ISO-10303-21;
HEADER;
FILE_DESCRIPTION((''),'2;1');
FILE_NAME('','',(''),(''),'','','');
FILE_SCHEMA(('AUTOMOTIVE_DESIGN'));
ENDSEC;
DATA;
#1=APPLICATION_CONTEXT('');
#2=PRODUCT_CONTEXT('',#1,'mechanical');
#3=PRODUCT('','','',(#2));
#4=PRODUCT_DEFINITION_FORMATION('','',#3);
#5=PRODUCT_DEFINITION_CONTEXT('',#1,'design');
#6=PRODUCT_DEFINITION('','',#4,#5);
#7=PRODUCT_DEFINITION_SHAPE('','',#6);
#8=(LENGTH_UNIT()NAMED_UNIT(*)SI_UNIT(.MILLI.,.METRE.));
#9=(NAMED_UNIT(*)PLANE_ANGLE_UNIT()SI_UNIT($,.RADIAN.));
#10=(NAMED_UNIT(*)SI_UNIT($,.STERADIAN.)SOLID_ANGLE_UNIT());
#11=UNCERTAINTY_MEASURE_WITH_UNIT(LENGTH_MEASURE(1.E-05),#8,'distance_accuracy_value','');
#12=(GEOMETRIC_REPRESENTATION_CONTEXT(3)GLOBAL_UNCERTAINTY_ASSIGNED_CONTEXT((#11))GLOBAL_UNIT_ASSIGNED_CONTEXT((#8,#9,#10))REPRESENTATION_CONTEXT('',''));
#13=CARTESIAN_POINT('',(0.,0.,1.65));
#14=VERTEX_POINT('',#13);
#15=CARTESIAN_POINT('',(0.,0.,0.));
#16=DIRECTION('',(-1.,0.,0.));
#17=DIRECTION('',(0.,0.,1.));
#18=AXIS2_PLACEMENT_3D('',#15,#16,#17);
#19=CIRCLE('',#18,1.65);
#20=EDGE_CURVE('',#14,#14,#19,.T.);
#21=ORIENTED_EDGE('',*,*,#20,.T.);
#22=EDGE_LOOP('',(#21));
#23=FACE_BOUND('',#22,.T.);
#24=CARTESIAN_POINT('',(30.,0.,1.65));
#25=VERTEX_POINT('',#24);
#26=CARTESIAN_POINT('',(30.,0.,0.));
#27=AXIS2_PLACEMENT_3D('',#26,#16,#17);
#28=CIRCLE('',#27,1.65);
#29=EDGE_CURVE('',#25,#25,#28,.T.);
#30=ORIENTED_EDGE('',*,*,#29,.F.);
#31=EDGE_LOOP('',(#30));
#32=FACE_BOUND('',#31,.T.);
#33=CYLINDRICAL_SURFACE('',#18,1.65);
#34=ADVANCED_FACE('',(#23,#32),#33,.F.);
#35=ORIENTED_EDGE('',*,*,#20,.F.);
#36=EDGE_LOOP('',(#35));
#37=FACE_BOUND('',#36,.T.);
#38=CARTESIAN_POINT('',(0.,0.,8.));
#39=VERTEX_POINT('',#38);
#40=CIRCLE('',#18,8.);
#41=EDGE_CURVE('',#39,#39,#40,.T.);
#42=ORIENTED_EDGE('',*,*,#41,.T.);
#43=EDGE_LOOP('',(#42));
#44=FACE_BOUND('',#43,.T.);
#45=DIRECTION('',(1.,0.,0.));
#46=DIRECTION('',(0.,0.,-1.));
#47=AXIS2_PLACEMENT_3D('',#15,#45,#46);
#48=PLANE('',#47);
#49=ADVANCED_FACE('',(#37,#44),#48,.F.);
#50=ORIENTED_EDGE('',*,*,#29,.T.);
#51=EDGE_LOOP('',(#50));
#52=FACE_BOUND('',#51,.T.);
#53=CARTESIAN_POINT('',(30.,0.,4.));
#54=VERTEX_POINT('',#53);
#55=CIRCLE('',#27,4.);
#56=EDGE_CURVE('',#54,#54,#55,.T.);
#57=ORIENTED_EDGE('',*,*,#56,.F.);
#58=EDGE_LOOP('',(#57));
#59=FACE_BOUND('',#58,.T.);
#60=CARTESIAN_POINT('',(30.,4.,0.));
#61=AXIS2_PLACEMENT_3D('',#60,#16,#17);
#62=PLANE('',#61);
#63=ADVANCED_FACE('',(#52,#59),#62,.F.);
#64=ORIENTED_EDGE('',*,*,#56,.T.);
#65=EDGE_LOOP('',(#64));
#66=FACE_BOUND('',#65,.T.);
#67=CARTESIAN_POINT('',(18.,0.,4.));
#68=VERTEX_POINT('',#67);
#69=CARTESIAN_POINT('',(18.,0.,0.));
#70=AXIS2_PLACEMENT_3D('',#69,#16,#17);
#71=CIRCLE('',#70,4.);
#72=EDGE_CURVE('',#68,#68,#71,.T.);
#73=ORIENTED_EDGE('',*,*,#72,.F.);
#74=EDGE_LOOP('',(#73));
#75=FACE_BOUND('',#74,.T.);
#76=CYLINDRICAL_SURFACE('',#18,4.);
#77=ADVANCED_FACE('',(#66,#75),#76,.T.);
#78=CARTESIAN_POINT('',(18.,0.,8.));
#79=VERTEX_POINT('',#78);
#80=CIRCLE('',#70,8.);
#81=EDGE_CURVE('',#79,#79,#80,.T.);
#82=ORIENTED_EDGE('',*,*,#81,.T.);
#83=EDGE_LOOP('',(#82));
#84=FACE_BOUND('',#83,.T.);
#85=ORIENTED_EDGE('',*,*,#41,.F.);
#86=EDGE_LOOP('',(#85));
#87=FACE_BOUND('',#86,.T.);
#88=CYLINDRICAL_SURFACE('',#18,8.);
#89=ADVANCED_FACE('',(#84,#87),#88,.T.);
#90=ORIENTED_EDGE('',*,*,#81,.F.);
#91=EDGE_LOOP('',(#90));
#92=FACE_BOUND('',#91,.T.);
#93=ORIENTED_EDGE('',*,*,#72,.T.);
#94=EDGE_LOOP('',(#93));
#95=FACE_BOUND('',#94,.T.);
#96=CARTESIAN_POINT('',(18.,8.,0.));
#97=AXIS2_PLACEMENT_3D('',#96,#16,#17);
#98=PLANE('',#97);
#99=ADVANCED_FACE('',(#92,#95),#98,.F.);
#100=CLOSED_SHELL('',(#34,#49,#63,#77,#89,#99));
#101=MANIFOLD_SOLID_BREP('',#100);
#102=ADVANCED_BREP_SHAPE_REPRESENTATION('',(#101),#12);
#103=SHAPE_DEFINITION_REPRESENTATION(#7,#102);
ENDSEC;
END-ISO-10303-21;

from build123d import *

# Parameters (mm, degrees)
TROU_TARAUD_M41_D = 3.3


with BuildPart() as part:
    # Esquisse1 → Révolution1 (revolve)
    with BuildSketch(Plane.XY, mode=Mode.PRIVATE) as r_volution1_sk:
        Polygon((0, 0), (0, 8), (18, 8), (18, 4), (30, 4), (30, 0), align=None)
    revolve(r_volution1_sk.sketch.rotate(Axis((0, 0, 0), (1, 0, 0)), 90), axis=Axis((0, 0, 0), (1, 0, 0)))

    # Trou taraudé M41 (through all)
    with Locations(Plane.ZY):
        with Locations((0, 0)):
            Hole(TROU_TARAUD_M41_D / 2)


solid = part.part
